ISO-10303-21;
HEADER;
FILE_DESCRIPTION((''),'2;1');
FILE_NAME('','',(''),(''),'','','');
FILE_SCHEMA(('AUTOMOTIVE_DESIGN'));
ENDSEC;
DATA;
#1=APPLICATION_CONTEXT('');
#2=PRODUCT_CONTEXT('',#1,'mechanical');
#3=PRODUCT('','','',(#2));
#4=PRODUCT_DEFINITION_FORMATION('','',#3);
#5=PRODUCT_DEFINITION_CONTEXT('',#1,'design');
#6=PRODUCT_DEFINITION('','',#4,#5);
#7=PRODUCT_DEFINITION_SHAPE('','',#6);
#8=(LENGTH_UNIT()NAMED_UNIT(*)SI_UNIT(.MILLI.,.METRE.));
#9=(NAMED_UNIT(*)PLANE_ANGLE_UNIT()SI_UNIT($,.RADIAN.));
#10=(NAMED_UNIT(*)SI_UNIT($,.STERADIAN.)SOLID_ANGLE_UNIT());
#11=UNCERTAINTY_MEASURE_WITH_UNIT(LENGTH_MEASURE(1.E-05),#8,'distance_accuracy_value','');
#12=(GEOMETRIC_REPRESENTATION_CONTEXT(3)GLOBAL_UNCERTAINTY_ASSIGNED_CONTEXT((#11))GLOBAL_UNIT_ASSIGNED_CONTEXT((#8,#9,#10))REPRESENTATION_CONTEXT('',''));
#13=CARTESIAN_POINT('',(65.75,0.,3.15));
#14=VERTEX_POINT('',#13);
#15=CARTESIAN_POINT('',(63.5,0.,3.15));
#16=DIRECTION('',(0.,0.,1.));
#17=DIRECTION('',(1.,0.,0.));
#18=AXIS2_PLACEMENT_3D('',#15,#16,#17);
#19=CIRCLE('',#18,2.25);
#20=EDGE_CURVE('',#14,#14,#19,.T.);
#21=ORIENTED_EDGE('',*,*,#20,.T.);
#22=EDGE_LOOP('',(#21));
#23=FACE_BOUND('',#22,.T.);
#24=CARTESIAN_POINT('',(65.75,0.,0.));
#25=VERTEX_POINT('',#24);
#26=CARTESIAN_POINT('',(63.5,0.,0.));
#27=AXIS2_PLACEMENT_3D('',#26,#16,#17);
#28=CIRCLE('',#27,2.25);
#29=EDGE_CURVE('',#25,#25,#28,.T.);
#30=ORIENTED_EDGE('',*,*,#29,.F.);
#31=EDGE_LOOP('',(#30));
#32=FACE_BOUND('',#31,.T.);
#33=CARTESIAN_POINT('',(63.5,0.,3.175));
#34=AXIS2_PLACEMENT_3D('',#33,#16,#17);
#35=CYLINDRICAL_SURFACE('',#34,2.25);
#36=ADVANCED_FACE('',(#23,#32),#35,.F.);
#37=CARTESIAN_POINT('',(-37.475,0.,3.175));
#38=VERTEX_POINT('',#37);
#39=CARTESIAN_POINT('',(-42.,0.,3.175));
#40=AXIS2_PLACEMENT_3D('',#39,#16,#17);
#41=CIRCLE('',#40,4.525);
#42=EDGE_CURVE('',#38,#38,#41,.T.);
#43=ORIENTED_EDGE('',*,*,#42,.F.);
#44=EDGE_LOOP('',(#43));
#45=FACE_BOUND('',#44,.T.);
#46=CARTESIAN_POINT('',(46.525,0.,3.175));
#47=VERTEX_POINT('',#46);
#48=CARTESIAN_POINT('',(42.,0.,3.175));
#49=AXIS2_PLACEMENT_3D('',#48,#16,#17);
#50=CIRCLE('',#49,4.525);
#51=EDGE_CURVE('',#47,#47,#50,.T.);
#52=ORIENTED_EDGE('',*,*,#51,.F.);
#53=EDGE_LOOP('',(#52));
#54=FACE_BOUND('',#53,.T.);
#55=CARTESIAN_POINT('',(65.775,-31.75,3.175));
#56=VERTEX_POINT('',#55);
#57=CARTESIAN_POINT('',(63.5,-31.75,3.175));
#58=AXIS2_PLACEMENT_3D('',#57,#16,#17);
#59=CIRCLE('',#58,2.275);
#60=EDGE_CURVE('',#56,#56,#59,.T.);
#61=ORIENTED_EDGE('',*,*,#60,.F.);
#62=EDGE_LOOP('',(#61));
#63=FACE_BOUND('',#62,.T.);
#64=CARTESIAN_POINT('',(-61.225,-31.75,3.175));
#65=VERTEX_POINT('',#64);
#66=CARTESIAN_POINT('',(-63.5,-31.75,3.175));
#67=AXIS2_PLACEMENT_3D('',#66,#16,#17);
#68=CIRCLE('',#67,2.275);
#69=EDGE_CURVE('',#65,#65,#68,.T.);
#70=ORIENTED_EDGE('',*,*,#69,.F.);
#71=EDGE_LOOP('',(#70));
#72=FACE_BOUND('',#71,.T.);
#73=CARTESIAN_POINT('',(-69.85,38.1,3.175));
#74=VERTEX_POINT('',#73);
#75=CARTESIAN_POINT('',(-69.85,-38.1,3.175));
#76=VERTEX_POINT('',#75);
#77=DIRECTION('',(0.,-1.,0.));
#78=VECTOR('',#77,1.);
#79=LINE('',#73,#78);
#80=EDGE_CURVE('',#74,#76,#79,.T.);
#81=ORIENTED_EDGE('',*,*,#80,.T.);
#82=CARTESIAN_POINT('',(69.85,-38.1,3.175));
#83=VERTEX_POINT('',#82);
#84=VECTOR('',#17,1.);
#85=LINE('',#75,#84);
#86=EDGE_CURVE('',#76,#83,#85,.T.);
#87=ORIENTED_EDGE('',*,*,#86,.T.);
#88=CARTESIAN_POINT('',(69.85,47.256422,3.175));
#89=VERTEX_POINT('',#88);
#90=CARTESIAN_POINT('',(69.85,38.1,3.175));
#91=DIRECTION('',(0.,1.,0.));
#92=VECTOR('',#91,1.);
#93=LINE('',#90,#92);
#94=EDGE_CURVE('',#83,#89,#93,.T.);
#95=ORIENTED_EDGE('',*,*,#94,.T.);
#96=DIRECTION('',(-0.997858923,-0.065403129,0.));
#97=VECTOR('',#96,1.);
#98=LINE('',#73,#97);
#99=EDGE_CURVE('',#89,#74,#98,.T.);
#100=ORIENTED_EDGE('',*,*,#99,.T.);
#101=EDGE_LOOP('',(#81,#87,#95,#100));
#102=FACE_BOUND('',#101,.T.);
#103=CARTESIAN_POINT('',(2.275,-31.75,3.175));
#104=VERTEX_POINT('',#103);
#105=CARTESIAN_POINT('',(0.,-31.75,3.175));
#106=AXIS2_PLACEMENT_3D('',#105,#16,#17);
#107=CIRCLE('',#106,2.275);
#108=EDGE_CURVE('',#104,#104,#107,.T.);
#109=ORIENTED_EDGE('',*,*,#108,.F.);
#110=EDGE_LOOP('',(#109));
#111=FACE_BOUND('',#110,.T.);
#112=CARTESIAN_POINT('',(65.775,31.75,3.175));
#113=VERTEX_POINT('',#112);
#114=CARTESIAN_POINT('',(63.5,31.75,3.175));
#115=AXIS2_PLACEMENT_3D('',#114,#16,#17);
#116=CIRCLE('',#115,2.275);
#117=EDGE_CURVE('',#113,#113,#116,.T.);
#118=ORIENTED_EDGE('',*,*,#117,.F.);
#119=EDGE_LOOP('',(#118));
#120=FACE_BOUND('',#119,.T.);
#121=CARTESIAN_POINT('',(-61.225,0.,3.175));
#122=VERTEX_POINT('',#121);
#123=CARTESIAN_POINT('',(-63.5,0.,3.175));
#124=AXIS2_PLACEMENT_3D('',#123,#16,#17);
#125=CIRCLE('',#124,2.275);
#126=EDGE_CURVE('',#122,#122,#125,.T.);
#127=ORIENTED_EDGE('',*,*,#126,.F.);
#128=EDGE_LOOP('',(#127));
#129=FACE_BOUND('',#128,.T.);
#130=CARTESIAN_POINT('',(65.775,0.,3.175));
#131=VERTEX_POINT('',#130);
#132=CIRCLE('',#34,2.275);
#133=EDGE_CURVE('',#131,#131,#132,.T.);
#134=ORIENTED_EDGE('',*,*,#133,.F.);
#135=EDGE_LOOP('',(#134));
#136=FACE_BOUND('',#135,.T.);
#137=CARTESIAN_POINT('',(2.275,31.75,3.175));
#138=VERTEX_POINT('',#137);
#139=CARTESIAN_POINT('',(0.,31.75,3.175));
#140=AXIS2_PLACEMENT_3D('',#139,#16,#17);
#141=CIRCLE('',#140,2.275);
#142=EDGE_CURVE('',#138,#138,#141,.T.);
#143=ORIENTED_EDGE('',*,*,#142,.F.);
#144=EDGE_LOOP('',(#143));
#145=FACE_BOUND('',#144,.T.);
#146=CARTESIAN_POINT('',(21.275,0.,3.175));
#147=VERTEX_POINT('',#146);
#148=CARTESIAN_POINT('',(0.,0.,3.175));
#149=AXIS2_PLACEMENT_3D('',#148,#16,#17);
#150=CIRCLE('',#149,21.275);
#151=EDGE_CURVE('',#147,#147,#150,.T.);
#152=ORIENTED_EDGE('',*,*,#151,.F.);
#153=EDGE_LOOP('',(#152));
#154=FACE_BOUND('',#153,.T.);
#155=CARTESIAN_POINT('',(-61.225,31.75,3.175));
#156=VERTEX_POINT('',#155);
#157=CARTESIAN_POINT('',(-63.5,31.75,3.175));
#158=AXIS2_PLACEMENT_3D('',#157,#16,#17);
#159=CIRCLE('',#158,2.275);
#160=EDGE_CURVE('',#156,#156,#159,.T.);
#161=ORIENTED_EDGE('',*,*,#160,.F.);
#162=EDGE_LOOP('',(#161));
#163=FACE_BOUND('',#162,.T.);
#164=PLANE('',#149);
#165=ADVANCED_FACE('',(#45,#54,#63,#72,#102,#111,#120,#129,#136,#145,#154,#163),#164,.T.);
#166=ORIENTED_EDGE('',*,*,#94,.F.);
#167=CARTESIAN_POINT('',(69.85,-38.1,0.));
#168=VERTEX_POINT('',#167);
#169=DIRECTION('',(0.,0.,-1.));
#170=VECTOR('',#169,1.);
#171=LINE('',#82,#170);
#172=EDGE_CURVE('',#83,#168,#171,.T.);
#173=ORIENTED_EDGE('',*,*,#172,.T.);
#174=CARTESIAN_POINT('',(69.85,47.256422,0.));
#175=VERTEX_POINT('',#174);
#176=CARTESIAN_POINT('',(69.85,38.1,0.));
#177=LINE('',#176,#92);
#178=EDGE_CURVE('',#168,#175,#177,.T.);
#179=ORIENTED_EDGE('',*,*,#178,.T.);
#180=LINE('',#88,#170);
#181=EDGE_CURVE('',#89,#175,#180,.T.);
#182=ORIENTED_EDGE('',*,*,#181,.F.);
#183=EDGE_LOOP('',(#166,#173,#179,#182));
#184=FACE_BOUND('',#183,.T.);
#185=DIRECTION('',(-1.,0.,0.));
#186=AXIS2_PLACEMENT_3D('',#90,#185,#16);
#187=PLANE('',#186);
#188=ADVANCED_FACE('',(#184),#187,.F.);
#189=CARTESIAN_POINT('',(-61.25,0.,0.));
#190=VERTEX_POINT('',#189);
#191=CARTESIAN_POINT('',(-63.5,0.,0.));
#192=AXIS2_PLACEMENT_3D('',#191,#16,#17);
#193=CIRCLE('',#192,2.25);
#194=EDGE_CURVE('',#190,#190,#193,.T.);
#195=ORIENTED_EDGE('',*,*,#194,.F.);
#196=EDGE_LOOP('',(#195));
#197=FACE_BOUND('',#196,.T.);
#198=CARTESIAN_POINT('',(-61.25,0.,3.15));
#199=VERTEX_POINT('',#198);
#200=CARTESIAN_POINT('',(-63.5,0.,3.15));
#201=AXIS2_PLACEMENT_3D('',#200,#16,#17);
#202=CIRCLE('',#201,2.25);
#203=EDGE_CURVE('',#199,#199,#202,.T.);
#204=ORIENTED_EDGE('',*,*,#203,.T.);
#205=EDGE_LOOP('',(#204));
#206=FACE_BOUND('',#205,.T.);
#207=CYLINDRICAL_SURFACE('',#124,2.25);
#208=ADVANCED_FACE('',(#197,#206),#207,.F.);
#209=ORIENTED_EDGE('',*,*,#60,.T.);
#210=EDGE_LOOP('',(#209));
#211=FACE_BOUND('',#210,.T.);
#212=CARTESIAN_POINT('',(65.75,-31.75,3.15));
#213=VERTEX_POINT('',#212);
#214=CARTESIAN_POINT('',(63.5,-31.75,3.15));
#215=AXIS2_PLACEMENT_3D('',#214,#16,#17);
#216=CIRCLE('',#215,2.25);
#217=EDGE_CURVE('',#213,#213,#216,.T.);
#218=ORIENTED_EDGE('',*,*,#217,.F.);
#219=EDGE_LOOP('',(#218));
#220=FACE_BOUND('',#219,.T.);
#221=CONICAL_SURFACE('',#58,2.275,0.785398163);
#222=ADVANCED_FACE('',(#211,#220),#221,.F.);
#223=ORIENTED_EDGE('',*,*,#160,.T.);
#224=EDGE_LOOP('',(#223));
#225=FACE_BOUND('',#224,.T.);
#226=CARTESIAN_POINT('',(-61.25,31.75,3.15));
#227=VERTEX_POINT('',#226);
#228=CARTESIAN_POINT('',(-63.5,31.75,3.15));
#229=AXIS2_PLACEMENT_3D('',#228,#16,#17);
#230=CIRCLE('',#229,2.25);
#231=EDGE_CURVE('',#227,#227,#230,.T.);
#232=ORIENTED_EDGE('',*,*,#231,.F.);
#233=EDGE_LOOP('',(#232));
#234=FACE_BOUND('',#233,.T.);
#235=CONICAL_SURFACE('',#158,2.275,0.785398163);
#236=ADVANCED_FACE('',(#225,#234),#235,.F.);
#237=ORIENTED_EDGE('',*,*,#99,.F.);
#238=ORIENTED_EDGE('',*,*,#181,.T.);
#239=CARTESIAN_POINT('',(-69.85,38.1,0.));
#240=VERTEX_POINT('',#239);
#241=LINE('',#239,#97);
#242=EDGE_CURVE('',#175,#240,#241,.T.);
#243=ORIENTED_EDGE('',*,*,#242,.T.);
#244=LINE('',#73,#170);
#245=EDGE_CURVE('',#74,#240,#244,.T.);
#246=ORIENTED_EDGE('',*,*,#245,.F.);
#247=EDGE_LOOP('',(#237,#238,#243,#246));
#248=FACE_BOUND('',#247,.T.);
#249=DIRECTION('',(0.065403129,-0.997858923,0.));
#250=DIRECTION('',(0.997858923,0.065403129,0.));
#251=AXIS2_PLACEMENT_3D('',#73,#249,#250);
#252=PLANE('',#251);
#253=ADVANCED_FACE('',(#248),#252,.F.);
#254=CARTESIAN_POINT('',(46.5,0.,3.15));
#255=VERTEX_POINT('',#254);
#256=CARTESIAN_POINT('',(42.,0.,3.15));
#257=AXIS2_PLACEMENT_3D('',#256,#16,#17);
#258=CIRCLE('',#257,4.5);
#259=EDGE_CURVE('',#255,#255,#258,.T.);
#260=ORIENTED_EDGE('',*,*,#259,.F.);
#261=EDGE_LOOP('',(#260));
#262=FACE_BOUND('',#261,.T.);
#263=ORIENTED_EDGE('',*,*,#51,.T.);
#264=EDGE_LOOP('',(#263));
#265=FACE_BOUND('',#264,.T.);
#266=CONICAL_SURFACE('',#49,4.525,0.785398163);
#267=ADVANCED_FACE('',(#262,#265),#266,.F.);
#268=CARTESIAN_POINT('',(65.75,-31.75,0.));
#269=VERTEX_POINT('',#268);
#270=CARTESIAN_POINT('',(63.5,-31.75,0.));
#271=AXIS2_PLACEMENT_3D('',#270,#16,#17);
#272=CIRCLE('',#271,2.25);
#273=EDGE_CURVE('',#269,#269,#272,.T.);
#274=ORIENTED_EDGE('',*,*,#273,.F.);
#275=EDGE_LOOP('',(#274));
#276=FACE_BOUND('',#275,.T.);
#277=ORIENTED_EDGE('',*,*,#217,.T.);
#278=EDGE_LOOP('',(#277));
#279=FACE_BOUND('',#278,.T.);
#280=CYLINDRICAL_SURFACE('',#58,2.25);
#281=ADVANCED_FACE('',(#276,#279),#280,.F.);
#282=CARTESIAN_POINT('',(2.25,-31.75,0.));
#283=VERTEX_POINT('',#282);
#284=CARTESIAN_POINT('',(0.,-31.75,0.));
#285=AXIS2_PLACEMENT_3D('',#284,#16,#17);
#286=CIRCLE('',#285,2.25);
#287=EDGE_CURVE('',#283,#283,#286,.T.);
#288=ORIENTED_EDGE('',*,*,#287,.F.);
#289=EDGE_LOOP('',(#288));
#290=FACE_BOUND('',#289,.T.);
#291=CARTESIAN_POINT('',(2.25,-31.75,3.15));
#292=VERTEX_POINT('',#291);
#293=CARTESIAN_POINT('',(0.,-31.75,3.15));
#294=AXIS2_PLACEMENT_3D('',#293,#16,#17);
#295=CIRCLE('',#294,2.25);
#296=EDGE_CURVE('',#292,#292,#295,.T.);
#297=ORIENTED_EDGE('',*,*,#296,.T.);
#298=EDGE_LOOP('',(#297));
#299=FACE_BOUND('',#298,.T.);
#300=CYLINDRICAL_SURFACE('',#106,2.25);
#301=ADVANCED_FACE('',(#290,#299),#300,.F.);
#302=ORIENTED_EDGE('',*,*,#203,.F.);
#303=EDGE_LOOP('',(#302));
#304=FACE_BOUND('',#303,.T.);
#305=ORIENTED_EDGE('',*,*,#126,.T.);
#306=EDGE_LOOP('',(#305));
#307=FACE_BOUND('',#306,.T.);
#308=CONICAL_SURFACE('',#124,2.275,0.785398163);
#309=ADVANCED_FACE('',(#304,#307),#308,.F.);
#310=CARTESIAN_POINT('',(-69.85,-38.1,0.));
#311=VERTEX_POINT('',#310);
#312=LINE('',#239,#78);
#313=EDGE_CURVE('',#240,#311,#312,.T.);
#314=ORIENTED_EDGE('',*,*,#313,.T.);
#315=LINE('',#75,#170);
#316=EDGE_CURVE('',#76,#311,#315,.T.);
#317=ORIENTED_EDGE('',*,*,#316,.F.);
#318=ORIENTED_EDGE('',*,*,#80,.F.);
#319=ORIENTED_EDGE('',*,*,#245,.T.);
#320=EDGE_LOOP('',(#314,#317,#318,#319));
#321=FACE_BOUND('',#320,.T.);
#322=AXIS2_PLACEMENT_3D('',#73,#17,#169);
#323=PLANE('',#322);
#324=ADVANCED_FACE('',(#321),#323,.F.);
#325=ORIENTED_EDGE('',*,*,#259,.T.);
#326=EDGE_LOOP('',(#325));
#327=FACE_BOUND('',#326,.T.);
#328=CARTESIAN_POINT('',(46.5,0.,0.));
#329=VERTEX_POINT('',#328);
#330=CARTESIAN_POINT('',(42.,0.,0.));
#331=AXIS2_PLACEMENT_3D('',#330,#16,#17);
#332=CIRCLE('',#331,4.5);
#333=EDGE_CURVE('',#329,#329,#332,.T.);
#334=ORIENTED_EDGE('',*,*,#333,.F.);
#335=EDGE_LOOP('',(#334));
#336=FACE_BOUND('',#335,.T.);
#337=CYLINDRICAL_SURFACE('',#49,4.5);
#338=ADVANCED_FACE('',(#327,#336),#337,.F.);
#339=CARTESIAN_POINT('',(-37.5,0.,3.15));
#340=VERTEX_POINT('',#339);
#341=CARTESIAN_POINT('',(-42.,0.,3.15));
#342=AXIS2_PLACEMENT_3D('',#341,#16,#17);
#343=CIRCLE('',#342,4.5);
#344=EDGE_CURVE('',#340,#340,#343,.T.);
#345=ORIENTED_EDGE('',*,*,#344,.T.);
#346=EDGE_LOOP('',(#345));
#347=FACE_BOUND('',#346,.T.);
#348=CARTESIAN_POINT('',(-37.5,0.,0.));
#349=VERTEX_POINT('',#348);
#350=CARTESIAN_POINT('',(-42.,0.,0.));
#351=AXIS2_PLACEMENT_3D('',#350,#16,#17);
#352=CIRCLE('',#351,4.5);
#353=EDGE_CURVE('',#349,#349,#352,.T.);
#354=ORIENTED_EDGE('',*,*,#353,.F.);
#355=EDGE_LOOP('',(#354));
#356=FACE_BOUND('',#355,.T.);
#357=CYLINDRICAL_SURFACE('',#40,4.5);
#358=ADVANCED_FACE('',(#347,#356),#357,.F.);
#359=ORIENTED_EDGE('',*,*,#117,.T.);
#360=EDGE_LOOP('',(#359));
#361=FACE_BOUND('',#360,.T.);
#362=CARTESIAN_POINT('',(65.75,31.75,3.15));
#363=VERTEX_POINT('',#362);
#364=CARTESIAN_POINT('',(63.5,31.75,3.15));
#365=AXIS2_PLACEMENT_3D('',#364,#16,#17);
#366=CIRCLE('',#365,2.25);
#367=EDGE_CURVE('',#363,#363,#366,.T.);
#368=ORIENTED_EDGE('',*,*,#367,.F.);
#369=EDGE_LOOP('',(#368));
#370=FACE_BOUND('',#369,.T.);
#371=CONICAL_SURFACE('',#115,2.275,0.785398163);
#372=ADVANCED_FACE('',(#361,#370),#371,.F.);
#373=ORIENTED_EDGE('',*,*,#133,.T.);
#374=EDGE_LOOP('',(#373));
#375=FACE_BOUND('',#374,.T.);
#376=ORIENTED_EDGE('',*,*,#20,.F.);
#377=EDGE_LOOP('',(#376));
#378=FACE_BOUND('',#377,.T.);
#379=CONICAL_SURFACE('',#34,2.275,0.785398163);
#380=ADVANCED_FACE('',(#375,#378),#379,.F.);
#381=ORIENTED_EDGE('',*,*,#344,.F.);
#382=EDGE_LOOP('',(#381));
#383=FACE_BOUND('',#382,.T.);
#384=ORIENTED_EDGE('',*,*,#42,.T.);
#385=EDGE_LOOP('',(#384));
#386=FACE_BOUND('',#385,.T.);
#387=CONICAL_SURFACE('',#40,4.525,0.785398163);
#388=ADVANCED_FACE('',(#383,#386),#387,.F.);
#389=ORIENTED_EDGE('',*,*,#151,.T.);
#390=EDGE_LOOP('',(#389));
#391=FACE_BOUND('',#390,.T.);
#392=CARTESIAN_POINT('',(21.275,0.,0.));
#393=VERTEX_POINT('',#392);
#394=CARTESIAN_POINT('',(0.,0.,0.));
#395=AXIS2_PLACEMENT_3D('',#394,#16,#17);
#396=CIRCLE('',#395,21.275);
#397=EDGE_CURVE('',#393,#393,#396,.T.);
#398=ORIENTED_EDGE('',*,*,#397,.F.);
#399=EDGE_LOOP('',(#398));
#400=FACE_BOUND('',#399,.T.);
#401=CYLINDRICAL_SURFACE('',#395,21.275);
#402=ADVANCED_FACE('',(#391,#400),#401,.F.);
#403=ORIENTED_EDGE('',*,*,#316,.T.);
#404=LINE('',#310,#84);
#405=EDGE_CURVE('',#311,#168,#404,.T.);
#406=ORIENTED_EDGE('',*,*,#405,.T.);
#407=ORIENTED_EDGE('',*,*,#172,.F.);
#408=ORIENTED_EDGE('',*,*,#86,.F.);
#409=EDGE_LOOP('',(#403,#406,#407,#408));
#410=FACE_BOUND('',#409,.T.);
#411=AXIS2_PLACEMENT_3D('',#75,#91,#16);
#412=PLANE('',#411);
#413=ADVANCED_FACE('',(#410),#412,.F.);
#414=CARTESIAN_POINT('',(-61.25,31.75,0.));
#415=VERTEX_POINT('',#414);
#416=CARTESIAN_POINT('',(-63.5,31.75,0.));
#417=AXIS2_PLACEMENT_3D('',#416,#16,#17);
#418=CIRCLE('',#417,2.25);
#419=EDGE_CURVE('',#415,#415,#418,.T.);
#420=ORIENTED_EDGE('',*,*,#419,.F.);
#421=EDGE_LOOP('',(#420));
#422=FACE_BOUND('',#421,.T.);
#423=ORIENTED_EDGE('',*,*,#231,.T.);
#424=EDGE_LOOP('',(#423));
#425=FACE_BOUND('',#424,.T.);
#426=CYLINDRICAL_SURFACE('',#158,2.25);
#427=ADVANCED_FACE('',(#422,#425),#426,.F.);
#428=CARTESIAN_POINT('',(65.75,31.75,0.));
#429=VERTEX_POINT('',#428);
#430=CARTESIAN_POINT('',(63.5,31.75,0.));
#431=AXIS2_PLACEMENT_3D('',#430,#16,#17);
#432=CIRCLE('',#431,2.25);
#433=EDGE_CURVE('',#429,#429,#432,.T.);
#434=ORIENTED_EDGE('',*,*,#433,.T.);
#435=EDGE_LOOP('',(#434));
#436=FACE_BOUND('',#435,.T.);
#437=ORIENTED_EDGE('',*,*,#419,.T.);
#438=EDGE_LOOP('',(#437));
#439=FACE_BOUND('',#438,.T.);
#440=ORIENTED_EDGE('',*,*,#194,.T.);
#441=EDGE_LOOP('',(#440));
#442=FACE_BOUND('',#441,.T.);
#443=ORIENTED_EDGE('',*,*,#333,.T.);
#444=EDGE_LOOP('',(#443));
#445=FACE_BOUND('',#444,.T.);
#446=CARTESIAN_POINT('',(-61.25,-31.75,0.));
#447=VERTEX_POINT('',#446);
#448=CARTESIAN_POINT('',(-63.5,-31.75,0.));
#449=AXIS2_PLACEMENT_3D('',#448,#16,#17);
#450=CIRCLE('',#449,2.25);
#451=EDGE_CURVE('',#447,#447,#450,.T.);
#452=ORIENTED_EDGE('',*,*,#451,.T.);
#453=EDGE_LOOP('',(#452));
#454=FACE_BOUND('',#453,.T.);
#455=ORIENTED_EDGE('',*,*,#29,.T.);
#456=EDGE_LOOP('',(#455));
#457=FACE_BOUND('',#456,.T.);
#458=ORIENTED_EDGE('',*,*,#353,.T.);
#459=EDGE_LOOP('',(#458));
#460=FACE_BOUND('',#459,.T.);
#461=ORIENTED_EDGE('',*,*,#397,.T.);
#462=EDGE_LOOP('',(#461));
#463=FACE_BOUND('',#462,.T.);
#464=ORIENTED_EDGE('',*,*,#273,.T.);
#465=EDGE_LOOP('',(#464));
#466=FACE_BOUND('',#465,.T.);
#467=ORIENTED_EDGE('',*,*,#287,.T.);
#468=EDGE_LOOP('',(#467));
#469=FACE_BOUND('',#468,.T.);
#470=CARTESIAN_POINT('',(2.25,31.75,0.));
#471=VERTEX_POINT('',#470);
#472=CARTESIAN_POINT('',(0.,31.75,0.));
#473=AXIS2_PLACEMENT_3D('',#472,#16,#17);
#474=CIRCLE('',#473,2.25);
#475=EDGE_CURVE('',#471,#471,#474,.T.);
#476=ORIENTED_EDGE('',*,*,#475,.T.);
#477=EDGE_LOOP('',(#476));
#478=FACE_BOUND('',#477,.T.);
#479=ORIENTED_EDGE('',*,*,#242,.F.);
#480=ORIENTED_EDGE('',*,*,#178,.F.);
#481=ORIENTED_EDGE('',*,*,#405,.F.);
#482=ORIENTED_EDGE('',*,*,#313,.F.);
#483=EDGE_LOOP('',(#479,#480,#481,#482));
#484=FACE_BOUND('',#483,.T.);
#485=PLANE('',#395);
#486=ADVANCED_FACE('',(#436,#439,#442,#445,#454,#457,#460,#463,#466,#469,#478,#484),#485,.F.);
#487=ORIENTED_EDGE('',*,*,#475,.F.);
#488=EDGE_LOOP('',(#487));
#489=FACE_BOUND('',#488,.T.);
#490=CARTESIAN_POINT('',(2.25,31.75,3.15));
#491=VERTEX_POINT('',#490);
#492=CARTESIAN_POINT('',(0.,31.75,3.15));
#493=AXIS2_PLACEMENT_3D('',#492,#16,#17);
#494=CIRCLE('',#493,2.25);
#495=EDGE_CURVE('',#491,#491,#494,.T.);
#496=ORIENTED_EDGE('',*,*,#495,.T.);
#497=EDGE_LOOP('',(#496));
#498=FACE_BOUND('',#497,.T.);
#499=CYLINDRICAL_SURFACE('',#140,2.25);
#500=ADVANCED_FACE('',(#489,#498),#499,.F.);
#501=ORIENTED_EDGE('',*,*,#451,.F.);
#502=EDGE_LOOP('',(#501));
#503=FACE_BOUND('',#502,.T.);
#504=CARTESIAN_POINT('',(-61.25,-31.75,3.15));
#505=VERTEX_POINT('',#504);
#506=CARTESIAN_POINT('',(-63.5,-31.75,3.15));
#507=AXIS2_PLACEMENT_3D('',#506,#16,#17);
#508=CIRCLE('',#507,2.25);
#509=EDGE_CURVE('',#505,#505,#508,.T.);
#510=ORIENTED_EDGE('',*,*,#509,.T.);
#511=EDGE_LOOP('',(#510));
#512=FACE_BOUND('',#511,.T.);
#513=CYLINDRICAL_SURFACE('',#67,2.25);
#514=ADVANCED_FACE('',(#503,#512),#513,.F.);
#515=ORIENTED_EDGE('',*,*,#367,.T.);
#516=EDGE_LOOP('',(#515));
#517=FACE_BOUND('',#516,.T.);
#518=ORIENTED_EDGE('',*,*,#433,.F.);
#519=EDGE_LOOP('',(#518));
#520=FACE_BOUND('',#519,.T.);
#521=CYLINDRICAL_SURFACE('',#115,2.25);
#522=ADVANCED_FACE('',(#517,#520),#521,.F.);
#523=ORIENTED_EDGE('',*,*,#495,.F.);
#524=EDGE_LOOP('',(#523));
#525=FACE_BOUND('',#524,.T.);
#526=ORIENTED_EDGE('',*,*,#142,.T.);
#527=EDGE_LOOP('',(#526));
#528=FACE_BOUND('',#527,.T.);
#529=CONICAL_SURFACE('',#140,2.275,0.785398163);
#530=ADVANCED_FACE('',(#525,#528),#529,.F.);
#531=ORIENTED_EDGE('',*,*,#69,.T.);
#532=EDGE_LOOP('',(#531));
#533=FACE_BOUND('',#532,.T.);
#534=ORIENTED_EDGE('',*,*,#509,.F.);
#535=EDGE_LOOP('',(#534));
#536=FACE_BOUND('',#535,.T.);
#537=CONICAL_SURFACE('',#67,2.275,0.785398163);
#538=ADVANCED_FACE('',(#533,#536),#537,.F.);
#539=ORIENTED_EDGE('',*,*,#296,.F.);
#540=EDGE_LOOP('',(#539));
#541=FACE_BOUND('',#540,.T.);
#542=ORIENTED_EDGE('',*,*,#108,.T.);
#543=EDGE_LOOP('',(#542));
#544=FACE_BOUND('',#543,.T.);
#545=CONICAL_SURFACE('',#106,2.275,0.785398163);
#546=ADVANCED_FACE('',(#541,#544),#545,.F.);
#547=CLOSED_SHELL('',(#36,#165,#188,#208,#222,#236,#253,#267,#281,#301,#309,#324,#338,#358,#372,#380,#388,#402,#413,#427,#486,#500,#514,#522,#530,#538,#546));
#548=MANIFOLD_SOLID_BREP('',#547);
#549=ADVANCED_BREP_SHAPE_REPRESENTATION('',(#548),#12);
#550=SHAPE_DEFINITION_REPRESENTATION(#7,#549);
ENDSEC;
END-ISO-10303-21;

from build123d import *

# Parameters (mm, degrees)
BOSS_EXTRUDE1_DEPTH            = 3.175
M4_CLEARANCE_HOLE1_D           = 4.5
M4_CLEARANCE_HOLE1_CSINK_D     = 4.55
M4_CLEARANCE_HOLE1_CSINK_ANGLE = 90
M8_CLEARANCE_HOLE1_AT_2_COUNT  = 2
M8_CLEARANCE_HOLE1_AT_2_PITCH  = 84
SKETCH9_R                      = 21.275
CENTER_HOLE_DEPTH              = 85.39355735


with BuildPart() as part:
    # Sketch1 → Boss-Extrude1 (new body)
    with BuildSketch(Plane.XY):
        Polygon((-69.85, 38.1), (69.85, 47.256421755), (69.85, 38.1), (69.85, -38.1), (-69.85, -38.1), align=None)
    extrude(amount=BOSS_EXTRUDE1_DEPTH)

    # M4 Clearance Hole1 (through all)
    with Locations(Plane.XY.offset(3.175)):
        with Locations((-63.5, -31.75), (0, -31.75), (63.5, -31.75), (63.5, 31.75), (63.5, 0), (0, 31.75), (-63.5, 31.75), (-63.5, 0)):
            CounterSinkHole(M4_CLEARANCE_HOLE1_D / 2, M4_CLEARANCE_HOLE1_CSINK_D / 2, counter_sink_angle=M4_CLEARANCE_HOLE1_CSINK_ANGLE)

    # Sketch11 → M8 Clearance Hole1 (revolve, cut)
    with BuildSketch(Plane(origin=(-42, 0, 3.175), x_dir=(0, -1, 0), z_dir=(1, 0, 0))):
        Polygon((0, 0), (0, 3.175), (4.5, 3.175), (4.5, 0.025), (4.525, 0), align=None)
    m8_clearance_hole1 = revolve(axis=Axis((-42, 0, 9.525), (0, 0, -1)), mode=Mode.SUBTRACT)

    # M8 Clearance Hole1 at 2: M8 Clearance Hole1 ×2
    with Locations(*[(i * M8_CLEARANCE_HOLE1_AT_2_PITCH, 0, 0) for i in range(1, M8_CLEARANCE_HOLE1_AT_2_COUNT)]):
        add(m8_clearance_hole1, mode=Mode.SUBTRACT)

    # Sketch9 → Center Hole (cut, through all)
    with BuildSketch(Plane.XY.offset(3.175)):
        Circle(SKETCH9_R)
    extrude(amount=-CENTER_HOLE_DEPTH, mode=Mode.SUBTRACT)


solid = part.part
